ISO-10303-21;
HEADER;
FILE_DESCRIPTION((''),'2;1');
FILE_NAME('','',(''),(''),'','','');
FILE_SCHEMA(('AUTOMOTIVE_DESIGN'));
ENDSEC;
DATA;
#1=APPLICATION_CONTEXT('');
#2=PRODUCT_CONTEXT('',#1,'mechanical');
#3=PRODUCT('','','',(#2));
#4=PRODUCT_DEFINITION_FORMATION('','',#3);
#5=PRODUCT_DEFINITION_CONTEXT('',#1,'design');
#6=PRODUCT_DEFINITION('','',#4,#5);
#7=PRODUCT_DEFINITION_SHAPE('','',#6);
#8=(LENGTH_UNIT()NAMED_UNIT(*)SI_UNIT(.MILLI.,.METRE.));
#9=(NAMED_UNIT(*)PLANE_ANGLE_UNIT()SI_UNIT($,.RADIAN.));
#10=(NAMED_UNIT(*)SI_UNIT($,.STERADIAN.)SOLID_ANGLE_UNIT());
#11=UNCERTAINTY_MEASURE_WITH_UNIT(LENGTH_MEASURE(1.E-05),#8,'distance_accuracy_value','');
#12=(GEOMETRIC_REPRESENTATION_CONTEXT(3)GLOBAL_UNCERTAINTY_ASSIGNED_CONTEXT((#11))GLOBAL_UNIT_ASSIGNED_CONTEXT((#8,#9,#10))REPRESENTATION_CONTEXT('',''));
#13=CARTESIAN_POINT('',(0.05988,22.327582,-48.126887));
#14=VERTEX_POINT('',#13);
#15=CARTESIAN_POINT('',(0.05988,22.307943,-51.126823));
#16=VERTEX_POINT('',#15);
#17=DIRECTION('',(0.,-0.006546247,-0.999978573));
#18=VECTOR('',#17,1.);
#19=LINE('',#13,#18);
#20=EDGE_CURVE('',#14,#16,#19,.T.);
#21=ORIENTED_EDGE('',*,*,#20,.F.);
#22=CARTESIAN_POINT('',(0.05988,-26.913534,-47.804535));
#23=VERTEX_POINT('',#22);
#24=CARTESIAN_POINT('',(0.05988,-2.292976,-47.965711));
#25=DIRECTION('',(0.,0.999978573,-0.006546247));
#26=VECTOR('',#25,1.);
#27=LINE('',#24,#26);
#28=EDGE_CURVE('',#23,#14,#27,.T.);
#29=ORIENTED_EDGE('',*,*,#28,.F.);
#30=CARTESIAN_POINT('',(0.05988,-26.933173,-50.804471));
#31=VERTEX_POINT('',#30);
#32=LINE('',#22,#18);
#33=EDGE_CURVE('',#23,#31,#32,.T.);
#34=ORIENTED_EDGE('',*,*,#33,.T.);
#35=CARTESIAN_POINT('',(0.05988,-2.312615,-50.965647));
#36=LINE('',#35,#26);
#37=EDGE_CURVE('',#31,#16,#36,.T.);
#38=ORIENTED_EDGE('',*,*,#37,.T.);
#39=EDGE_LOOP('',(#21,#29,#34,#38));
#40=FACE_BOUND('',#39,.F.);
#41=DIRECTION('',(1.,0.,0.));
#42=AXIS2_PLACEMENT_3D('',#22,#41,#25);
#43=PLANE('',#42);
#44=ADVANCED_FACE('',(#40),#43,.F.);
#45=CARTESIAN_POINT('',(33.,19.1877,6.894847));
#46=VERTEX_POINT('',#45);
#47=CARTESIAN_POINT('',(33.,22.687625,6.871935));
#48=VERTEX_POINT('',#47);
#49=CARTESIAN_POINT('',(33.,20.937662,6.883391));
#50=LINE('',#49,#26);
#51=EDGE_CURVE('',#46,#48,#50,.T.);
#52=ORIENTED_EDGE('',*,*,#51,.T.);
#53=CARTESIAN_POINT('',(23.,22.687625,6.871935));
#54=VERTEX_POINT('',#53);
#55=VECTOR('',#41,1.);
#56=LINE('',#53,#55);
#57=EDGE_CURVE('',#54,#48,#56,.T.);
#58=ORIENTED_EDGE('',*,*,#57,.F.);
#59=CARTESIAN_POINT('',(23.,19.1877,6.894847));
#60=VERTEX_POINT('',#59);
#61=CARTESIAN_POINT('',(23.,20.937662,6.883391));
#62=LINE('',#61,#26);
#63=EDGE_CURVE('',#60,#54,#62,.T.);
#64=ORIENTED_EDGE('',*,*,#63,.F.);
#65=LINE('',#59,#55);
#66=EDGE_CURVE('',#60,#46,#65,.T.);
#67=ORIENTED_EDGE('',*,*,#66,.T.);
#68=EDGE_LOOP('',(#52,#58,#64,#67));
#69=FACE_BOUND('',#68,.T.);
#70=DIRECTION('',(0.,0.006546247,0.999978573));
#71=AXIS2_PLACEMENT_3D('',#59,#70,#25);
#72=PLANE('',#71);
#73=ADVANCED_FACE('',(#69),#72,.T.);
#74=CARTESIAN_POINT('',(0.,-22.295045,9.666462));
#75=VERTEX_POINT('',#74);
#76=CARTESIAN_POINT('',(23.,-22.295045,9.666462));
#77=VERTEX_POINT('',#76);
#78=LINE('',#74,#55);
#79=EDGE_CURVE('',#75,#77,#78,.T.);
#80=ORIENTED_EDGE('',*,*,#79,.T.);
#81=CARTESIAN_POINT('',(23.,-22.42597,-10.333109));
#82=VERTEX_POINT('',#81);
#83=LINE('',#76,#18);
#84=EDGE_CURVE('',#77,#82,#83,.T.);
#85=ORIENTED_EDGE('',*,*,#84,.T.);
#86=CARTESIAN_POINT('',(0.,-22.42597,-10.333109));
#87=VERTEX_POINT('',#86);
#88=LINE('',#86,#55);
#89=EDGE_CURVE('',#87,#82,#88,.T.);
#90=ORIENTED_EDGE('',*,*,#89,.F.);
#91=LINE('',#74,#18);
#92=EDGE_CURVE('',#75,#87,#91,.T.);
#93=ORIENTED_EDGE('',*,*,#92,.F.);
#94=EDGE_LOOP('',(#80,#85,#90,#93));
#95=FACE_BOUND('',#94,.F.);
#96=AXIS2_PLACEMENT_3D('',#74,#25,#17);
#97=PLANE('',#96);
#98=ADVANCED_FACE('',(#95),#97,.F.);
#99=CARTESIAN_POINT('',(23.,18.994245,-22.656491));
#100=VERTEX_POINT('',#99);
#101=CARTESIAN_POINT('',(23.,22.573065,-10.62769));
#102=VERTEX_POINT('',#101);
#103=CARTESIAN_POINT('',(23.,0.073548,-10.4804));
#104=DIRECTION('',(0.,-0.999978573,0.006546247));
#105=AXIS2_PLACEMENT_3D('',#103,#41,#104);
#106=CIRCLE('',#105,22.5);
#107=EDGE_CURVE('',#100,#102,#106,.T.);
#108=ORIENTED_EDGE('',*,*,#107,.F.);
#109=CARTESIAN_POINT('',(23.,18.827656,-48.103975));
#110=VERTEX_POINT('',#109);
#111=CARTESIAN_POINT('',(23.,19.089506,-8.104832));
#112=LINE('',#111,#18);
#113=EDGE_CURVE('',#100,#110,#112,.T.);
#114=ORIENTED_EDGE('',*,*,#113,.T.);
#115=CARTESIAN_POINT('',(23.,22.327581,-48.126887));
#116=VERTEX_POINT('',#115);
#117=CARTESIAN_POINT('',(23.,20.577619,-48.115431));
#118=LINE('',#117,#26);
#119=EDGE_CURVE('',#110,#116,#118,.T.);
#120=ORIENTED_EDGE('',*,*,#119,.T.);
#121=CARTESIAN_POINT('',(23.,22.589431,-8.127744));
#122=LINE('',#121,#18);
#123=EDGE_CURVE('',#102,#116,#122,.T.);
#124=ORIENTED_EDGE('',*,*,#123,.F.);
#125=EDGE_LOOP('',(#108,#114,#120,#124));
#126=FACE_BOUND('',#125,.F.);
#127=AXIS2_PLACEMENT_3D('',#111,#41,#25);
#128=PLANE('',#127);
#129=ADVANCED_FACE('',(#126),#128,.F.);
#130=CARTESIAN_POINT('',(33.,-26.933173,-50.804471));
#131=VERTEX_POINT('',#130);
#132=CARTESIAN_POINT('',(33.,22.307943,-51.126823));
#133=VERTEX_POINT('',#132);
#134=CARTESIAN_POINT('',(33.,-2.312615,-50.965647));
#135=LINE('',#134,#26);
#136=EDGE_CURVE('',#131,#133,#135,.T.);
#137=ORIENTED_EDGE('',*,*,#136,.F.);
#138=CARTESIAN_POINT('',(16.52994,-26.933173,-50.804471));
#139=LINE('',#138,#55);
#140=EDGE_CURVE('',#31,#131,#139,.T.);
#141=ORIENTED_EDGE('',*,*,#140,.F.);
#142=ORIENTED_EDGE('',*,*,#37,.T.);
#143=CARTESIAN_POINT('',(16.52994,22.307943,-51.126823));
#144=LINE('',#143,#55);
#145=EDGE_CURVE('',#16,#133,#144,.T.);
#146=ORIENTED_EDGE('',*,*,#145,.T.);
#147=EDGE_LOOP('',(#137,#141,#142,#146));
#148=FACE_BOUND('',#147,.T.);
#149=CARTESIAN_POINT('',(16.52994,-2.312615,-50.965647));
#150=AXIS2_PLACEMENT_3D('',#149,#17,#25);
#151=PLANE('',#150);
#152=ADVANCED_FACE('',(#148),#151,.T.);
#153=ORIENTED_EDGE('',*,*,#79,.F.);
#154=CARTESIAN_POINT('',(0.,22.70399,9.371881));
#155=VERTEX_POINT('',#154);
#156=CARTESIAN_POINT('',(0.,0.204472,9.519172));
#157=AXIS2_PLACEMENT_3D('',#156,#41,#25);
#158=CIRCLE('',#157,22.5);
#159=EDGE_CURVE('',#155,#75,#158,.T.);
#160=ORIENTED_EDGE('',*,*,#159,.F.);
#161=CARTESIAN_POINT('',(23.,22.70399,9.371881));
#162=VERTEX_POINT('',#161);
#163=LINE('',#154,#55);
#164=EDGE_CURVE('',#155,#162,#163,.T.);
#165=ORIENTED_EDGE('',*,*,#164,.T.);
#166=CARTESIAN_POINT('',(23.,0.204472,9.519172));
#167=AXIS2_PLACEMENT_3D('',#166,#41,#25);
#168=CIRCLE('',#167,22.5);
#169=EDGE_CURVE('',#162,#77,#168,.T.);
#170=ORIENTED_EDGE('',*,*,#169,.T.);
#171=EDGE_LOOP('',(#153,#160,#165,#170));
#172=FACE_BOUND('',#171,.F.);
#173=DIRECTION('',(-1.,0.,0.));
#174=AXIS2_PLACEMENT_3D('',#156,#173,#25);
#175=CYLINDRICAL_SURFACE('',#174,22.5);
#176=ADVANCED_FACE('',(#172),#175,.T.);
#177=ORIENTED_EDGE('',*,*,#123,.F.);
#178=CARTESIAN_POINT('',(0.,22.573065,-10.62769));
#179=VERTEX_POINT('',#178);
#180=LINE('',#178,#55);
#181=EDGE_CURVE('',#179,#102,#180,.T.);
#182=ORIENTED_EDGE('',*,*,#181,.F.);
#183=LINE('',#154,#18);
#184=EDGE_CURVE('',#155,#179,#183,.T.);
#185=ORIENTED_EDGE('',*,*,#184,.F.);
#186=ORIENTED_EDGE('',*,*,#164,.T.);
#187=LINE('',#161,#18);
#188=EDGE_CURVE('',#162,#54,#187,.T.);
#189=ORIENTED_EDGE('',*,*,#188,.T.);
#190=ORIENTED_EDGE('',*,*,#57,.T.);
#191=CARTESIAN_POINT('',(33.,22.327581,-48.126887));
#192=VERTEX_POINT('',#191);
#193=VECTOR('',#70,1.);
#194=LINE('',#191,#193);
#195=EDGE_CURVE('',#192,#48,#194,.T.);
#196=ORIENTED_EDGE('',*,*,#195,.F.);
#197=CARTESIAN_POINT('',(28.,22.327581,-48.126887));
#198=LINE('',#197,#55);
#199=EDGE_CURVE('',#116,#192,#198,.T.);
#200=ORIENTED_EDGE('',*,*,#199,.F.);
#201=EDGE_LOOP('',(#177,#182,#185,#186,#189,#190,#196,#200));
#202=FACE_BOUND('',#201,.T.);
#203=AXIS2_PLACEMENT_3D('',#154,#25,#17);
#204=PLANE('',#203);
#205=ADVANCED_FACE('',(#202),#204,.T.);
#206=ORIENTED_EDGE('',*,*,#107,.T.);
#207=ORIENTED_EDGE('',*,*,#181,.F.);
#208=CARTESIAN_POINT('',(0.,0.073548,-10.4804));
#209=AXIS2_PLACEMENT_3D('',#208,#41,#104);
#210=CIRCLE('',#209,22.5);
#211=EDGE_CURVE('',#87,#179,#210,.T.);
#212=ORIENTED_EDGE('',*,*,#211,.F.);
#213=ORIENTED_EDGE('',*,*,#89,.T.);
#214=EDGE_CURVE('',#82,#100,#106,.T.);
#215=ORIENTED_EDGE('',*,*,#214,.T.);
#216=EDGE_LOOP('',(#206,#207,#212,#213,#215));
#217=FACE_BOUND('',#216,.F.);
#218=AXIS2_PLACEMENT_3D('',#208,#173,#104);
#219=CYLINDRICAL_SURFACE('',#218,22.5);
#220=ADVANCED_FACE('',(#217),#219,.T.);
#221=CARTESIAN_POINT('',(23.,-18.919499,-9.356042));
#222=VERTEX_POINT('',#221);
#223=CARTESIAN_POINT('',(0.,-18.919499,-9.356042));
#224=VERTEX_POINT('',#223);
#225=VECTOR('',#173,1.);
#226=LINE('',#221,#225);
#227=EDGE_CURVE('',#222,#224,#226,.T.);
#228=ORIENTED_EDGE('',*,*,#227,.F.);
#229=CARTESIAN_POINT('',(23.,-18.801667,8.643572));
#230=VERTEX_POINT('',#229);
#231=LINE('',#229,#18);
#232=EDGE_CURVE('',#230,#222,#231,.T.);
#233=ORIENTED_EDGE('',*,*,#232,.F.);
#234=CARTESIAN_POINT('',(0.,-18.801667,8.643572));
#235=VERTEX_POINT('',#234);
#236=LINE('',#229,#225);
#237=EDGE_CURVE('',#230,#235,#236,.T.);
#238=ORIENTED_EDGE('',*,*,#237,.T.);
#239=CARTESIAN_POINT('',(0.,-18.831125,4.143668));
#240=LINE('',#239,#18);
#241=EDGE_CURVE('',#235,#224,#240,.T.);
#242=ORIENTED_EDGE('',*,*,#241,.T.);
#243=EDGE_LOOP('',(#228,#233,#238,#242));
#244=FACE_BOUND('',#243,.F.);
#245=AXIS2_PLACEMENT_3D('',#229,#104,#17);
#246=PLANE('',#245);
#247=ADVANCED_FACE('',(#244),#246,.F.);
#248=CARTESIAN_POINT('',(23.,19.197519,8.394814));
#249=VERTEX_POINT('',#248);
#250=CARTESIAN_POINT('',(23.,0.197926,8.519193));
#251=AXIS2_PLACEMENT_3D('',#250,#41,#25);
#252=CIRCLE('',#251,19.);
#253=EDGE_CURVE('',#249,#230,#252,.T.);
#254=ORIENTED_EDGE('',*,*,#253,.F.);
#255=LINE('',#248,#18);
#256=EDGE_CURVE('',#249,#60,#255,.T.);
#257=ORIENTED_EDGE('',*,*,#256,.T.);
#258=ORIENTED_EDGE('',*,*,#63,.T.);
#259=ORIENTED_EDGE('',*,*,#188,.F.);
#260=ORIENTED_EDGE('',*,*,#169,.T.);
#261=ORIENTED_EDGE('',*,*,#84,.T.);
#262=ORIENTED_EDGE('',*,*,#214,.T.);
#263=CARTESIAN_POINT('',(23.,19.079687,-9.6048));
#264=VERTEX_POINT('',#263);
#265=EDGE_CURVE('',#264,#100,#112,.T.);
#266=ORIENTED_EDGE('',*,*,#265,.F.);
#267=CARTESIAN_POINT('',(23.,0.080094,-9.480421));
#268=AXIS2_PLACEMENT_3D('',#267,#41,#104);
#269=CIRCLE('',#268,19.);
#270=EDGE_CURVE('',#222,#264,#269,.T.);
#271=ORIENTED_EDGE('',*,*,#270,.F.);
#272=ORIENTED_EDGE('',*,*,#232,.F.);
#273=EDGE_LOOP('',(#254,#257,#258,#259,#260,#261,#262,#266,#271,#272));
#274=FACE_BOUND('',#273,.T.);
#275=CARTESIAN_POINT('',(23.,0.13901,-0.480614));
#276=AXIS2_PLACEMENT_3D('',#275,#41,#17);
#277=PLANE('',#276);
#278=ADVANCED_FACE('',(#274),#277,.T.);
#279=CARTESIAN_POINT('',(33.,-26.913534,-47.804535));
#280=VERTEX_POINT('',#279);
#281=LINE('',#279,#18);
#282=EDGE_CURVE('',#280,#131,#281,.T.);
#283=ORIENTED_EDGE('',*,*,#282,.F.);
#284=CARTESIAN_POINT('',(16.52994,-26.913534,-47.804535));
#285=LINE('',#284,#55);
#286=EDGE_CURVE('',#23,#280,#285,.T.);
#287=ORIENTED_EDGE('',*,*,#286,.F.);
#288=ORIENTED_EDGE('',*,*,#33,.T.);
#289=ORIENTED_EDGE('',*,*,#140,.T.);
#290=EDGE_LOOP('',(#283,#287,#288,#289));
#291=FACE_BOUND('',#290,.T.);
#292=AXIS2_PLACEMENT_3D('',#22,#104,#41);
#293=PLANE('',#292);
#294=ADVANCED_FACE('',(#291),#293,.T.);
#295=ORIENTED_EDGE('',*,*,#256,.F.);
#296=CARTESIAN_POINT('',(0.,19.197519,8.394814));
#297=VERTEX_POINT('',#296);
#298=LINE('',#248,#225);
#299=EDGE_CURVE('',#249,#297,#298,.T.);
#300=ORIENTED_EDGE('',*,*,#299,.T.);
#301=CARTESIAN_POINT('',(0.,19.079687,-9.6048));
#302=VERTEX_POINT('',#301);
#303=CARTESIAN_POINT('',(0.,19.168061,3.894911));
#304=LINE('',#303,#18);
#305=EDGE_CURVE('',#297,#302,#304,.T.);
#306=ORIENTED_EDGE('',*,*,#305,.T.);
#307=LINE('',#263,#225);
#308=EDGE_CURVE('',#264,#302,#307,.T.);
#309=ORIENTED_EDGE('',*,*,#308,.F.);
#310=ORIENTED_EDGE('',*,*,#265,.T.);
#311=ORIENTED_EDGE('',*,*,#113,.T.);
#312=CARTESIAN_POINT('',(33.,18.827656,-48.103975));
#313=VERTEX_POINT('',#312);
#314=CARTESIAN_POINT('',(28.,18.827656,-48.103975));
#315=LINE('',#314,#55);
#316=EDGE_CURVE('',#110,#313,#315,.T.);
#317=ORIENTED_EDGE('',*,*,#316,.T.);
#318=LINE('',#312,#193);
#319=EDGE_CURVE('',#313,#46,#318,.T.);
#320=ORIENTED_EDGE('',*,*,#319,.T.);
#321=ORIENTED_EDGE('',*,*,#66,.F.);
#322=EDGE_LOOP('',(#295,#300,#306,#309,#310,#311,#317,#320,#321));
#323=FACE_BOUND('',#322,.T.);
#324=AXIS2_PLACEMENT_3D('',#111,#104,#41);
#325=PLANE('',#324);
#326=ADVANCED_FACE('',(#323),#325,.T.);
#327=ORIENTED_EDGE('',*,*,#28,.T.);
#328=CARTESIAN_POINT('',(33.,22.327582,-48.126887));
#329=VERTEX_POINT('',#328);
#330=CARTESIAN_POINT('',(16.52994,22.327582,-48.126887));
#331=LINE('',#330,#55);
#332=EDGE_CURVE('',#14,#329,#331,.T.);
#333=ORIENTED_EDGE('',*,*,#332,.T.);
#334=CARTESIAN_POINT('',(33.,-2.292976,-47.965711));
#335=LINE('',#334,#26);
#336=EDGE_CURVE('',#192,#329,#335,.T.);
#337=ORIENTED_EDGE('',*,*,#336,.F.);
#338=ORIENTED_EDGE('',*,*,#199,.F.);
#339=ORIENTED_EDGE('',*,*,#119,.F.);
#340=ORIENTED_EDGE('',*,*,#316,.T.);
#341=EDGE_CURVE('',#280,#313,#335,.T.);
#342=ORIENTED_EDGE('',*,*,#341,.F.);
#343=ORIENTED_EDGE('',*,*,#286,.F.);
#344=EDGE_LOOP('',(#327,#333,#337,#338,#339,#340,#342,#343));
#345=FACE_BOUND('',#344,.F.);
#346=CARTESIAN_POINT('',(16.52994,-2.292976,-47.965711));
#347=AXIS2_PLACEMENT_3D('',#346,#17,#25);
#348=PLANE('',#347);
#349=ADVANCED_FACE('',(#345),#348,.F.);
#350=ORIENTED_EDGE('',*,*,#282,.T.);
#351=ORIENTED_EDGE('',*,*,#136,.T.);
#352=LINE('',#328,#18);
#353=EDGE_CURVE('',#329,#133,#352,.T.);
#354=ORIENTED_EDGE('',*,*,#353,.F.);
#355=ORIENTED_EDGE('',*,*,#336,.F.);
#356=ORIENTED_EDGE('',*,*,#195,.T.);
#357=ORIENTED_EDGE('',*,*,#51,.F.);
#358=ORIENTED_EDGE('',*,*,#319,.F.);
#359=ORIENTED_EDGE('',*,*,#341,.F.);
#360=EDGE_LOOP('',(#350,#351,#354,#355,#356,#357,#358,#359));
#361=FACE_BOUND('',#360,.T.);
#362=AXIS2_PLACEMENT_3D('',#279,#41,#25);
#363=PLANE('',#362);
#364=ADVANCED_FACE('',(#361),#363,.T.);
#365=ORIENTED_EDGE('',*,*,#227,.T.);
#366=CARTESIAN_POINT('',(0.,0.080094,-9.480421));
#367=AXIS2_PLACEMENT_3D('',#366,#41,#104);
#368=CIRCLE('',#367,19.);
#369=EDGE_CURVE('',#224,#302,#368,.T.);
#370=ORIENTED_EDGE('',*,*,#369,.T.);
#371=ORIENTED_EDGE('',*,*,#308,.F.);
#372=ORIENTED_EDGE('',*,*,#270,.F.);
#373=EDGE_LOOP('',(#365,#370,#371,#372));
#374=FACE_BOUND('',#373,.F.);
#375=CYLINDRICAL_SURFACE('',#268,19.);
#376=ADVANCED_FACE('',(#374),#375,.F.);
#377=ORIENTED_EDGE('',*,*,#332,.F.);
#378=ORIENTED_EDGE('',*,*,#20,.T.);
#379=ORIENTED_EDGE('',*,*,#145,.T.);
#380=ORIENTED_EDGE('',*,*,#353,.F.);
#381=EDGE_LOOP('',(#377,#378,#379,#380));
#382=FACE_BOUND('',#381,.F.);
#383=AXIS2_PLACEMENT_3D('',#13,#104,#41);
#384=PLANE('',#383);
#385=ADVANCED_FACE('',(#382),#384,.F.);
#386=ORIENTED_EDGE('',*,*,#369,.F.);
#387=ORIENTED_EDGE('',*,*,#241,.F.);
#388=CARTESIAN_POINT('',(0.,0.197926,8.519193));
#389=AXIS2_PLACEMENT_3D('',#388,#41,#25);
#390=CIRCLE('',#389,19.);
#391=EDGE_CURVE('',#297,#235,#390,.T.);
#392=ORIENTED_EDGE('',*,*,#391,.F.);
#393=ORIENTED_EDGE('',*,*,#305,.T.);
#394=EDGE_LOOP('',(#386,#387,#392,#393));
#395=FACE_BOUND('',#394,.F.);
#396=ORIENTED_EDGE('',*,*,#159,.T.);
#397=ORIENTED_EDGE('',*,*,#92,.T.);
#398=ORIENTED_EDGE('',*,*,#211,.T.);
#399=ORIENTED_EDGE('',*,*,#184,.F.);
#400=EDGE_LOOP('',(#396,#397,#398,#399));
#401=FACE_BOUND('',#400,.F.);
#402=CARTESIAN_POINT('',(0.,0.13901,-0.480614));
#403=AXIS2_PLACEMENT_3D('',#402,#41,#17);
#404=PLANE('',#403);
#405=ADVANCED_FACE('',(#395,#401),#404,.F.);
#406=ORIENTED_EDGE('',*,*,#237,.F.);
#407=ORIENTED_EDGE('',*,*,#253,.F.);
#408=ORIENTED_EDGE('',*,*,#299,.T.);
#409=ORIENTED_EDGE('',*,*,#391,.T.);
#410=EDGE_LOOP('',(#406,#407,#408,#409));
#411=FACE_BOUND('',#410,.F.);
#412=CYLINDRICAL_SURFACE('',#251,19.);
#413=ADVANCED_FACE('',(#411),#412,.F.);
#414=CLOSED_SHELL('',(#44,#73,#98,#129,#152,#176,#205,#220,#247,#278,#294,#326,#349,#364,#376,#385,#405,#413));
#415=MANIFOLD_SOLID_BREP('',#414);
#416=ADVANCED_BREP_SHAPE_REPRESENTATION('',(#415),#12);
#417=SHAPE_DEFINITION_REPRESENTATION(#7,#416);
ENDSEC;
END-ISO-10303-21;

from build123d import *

# Parameters (mm, degrees)
PAD_DEPTH            = 23
POCKET_DEPTH         = 25
SKETCH002_W          = 15
SKETCH002_H          = 3.5
PAD001_DEPTH         = 10
SKETCH003_W          = 3.5
SKETCH003_H          = 10
PAD002_DEPTH         = 40
SKETCH004_W          = 49.242171
SKETCH004_H          = 32.94012
PAD003_DEPTH         = 3
BODY_PLACEMENT_ANGLE = 90.375075


with BuildPart() as part:
    # Sketch → Pad (new body)
    with BuildSketch(Plane.YZ):
        with BuildLine():
            ThreePointArc((-10, 22.5), (-32.5, 0), (-10, -22.5))
            Line((-10, -22.5), (10, -22.5))
            ThreePointArc((10, -22.5), (32.5, 0), (10, 22.5))
            Line((-10, 22.5), (10, 22.5))
        make_face()
    extrude(amount=PAD_DEPTH)

    # Sketch001 (on Face6 of Pad) → Pocket (cut)
    with BuildSketch(Plane.YZ.offset(23)):
        with BuildLine():
            ThreePointArc((-9, 19), (-28, 0), (-9, -19))
            Line((-9, -19), (9, -19))
            ThreePointArc((9, -19), (28, 0), (9, 19))
            Line((-9, 19), (9, 19))
        make_face()
    extrude(amount=-POCKET_DEPTH, mode=Mode.SUBTRACT)

    # Sketch002 (on Face5 of Pocket) → Pad001 (join)
    with BuildSketch(Plane.YZ.offset(23)):
        with Locations((0, 20.75)):
            Rectangle(SKETCH002_W, SKETCH002_H)
    extrude(amount=PAD001_DEPTH)

    # Sketch003 (on Face13 of Pad001) → Pad002 (join)
    with BuildSketch(Plane.ZX.offset(7.5)):
        with Locations((20.75, 28)):
            Rectangle(SKETCH003_W, SKETCH003_H)
    extrude(amount=PAD002_DEPTH)

    # Sketch004 (on Face18 of Pad002) → Pad003 (join)
    with BuildSketch(Plane.ZX.offset(47.5)):
        with Locations((-2.121085, 16.52994)):
            Rectangle(SKETCH004_W, SKETCH004_H)
    extrude(amount=PAD003_DEPTH)


with BuildPart() as part_1:
    # Body placement: moved
    add(part.part.moved(Location((0, 0.13901, -0.480614))).rotate(Axis((0, 0.13901, -0.480614), (-1, 0, 0)), BODY_PLACEMENT_ANGLE))


solid = part_1.part
